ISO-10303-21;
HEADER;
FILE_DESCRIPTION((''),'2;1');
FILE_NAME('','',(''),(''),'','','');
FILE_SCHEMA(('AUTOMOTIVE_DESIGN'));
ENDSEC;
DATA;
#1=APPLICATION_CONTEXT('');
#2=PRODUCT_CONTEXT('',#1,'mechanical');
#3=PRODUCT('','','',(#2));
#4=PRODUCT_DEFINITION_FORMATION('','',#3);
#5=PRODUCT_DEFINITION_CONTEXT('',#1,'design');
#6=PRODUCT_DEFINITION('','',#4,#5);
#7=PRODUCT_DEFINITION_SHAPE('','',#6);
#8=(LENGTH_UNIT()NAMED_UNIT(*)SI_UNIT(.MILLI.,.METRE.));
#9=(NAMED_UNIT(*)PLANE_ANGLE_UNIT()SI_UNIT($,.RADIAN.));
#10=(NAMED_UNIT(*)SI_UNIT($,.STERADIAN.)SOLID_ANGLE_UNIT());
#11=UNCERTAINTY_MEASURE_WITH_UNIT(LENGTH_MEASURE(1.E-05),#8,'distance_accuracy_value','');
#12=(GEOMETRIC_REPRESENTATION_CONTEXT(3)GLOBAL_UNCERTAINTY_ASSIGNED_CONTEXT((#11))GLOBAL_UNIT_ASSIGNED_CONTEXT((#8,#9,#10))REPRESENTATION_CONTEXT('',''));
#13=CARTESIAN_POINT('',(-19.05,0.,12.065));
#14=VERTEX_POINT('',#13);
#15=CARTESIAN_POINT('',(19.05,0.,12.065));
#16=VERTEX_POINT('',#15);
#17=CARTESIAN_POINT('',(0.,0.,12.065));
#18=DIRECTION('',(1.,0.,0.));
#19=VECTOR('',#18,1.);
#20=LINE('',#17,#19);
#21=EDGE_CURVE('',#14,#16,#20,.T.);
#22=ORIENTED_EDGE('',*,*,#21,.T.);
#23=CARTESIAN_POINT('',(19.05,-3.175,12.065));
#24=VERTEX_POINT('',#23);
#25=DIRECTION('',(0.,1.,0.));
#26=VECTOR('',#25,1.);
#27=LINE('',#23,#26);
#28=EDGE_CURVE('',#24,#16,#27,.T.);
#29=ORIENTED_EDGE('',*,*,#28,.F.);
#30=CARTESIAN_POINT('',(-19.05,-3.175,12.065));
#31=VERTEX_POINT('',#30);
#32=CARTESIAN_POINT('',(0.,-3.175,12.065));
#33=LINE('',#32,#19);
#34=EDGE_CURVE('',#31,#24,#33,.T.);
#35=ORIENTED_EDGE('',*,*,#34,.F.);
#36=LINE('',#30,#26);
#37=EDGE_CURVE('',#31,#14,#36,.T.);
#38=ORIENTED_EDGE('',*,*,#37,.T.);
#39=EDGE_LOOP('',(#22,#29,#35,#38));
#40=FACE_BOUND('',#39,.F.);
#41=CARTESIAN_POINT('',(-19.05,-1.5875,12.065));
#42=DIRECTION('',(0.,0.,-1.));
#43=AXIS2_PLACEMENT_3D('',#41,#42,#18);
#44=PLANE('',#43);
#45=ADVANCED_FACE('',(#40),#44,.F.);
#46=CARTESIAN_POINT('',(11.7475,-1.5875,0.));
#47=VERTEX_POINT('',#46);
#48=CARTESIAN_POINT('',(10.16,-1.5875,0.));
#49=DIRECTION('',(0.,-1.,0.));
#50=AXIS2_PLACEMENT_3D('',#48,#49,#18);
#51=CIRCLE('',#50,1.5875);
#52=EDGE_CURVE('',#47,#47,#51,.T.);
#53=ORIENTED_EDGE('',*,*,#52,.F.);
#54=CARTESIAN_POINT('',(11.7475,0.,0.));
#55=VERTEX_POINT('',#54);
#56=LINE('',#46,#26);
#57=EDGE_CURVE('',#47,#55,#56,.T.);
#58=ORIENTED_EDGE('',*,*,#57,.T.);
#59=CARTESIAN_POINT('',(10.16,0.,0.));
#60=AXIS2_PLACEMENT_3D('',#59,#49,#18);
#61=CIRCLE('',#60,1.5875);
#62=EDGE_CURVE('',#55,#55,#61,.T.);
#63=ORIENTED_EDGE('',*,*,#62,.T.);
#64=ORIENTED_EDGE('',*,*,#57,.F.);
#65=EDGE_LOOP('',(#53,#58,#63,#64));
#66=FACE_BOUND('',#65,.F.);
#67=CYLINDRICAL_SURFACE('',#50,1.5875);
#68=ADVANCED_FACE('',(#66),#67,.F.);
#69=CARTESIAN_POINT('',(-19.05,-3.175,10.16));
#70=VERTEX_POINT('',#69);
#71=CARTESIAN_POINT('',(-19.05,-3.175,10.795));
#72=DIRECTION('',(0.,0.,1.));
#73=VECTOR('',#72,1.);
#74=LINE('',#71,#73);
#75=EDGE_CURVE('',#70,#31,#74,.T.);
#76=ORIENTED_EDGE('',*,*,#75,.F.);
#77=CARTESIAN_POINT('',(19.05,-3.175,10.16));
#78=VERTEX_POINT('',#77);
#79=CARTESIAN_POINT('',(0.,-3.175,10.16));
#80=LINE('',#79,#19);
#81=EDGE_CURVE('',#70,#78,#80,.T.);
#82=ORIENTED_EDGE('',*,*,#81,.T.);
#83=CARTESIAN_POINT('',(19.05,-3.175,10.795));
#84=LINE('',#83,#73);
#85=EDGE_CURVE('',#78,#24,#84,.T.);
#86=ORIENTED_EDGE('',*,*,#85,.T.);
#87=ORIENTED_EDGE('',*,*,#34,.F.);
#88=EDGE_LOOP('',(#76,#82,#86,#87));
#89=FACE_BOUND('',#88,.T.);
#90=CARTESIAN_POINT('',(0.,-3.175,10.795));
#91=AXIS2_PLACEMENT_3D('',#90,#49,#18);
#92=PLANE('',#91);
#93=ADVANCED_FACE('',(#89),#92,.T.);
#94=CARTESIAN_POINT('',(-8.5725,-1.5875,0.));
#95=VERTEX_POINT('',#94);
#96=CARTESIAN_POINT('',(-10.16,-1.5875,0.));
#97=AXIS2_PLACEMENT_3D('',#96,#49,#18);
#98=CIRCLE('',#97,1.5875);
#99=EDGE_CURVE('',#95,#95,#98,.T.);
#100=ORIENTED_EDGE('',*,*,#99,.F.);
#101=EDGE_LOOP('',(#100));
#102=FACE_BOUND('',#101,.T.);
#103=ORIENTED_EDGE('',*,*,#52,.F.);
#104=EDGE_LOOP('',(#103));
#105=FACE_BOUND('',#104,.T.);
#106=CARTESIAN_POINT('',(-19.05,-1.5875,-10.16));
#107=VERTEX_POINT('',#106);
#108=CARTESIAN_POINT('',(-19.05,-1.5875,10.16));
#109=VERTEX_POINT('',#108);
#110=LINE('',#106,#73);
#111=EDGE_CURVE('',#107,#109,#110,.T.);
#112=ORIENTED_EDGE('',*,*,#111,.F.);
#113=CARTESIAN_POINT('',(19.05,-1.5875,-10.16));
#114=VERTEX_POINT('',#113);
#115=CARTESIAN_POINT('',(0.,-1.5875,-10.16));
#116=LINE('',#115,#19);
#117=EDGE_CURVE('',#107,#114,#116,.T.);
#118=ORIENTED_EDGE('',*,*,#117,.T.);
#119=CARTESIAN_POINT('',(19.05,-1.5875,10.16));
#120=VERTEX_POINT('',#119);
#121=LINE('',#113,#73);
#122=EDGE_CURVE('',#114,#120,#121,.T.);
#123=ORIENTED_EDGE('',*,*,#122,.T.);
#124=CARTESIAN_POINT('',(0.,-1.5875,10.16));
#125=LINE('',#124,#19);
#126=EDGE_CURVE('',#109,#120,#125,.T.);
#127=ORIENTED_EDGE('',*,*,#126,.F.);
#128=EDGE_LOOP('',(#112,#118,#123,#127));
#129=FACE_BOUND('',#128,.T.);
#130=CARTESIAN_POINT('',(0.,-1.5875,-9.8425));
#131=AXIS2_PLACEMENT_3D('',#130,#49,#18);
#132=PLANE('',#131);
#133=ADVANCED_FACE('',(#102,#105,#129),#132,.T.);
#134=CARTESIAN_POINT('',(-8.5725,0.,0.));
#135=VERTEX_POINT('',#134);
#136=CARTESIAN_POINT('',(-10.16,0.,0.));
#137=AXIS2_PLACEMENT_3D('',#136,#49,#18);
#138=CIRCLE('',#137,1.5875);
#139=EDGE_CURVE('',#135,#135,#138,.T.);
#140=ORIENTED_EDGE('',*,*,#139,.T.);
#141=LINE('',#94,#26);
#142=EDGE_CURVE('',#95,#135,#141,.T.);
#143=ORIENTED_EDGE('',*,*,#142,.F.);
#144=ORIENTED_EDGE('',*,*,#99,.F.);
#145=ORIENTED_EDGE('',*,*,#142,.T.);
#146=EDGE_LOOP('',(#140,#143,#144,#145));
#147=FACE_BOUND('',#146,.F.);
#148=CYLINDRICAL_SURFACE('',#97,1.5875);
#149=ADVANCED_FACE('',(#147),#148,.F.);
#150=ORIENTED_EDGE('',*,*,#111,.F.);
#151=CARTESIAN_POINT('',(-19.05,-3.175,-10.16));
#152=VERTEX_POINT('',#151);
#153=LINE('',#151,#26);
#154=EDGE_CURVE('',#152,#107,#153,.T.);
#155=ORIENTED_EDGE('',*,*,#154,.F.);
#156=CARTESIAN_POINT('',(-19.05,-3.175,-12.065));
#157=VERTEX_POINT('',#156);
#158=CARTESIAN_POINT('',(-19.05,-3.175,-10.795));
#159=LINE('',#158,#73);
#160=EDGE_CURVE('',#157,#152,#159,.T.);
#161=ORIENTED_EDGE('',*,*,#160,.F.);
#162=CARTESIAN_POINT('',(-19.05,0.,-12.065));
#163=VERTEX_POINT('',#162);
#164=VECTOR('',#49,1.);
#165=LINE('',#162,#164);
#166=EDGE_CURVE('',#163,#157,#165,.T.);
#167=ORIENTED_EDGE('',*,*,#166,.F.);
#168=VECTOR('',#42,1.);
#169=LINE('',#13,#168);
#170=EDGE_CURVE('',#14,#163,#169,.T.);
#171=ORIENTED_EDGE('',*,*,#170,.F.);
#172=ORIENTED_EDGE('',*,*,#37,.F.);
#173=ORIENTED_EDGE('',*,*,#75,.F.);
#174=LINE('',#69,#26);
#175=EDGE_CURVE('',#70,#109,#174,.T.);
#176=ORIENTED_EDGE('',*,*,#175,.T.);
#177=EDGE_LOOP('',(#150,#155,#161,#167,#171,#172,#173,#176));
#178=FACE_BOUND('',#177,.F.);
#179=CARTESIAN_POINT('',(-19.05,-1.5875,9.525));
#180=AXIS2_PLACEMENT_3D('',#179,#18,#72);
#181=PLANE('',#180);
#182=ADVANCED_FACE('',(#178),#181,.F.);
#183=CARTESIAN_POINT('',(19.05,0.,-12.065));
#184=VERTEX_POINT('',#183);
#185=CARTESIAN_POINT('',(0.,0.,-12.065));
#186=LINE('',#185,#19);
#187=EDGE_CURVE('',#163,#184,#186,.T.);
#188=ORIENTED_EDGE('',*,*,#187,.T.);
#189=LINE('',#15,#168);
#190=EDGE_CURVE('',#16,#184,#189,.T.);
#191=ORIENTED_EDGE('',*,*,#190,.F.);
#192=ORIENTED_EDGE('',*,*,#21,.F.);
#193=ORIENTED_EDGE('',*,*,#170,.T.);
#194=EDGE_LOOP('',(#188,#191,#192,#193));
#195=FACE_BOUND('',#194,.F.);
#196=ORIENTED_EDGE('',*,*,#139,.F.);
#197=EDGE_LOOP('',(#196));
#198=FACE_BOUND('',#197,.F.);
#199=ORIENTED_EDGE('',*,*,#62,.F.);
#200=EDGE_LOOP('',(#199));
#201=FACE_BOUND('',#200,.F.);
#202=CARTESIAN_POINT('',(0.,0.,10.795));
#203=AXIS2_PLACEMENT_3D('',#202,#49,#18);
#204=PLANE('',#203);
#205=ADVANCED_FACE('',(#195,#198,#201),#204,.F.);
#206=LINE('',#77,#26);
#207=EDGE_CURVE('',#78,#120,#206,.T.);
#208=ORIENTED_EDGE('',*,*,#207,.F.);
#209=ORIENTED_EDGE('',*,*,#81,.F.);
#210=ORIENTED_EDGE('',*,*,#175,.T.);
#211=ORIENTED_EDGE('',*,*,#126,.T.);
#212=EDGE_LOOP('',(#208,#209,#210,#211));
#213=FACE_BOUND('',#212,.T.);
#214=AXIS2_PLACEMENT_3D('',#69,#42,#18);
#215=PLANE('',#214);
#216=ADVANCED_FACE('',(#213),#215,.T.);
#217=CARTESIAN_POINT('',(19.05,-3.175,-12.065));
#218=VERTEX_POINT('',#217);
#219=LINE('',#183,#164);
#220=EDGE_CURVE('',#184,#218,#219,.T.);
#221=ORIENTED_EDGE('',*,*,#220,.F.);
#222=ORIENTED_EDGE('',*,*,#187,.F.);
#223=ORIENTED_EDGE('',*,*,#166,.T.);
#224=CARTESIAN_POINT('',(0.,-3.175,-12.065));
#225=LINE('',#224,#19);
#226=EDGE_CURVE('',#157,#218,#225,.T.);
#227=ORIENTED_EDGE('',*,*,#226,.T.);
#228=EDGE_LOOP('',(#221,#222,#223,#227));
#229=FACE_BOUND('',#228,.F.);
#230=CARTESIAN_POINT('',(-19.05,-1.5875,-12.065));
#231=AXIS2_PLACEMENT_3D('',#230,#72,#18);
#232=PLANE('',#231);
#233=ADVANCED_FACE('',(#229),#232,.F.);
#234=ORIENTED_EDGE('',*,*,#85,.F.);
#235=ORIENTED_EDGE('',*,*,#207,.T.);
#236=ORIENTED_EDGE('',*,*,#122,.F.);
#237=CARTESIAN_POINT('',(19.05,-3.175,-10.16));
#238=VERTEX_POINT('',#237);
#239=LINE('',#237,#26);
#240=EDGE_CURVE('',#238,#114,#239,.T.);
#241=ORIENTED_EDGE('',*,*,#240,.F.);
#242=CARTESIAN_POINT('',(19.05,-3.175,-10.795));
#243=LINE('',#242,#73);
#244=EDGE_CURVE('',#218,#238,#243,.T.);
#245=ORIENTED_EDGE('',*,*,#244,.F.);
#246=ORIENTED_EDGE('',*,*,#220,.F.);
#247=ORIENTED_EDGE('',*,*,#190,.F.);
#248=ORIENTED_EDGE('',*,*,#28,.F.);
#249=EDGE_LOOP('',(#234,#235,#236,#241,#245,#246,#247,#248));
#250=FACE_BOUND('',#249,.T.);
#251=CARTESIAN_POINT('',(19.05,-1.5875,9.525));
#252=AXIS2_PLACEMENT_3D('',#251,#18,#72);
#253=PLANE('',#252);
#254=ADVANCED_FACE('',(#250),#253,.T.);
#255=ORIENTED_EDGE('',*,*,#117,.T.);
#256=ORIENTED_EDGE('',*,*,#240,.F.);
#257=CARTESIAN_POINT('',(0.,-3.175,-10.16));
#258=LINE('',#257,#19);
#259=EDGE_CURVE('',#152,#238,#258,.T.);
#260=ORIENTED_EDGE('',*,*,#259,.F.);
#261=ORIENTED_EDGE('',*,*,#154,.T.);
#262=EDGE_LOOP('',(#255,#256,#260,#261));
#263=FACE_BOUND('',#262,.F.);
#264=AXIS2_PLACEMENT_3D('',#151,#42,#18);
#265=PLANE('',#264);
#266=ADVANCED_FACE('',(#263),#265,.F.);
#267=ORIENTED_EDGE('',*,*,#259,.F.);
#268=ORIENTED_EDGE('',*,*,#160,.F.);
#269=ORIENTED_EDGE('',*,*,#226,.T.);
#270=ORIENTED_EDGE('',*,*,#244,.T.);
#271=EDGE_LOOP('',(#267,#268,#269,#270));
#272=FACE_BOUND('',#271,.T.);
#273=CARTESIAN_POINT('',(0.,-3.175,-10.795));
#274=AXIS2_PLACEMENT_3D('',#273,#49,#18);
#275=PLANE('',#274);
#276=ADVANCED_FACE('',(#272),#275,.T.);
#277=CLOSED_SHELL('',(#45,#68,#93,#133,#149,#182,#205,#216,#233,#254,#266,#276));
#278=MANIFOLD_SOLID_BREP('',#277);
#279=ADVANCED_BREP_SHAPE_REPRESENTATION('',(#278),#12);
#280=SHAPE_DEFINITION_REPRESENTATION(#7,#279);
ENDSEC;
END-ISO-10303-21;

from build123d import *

# Parameters (mm, degrees)
F0_W     = 38.1
F0_H     = 19.05
F1_DEPTH = 1.5875
F2_R     = 1.5875
F3_DEPTH = 1.5885
F4_W     = 38.1
F4_H     = 2.54
F5_DEPTH = 1.5875
F6_W     = 38.1
F6_H     = 0.635
F7_DEPTH = 1.5875
F8_W     = 38.1
F8_H     = 0.635
F9_DEPTH = 1.5875


with BuildPart() as f1:
    # F0 (on Front) → F1 (new body)
    with BuildSketch(Plane.XZ):
        Rectangle(F0_W, F0_H)
    extrude(amount=F1_DEPTH)

    # F2 (on face) → F3 (cut, through all)
    with BuildSketch(Plane.XZ.offset(1.5875)):
        with Locations((-10.16, 0)):
            Circle(F2_R)
        with Locations((10.16, 0)):
            Circle(F2_R)
    extrude(amount=-F3_DEPTH, mode=Mode.SUBTRACT)

    # F4 (on face) → F5 (join, symmetric)
    with BuildSketch(Plane.XZ.offset(1.5875)):
        with Locations((0, -10.795)):
            Rectangle(F4_W, F4_H)
        with Locations((0, 10.795)):
            Rectangle(F4_W, F4_H)
    extrude(amount=F5_DEPTH, both=True)

    # F6 (on face) → F7 (cut)
    with BuildSketch(Plane.XZ.offset(3.175)):
        with Locations((0, 9.8425)):
            Rectangle(F6_W, F6_H)
    extrude(amount=-F7_DEPTH, mode=Mode.SUBTRACT)

    # F8 (on face) → F9 (cut)
    with BuildSketch(Plane.XZ.offset(3.175)):
        with Locations((0, -9.8425)):
            Rectangle(F8_W, F8_H)
    extrude(amount=-F9_DEPTH, mode=Mode.SUBTRACT)


solid = f1.part
